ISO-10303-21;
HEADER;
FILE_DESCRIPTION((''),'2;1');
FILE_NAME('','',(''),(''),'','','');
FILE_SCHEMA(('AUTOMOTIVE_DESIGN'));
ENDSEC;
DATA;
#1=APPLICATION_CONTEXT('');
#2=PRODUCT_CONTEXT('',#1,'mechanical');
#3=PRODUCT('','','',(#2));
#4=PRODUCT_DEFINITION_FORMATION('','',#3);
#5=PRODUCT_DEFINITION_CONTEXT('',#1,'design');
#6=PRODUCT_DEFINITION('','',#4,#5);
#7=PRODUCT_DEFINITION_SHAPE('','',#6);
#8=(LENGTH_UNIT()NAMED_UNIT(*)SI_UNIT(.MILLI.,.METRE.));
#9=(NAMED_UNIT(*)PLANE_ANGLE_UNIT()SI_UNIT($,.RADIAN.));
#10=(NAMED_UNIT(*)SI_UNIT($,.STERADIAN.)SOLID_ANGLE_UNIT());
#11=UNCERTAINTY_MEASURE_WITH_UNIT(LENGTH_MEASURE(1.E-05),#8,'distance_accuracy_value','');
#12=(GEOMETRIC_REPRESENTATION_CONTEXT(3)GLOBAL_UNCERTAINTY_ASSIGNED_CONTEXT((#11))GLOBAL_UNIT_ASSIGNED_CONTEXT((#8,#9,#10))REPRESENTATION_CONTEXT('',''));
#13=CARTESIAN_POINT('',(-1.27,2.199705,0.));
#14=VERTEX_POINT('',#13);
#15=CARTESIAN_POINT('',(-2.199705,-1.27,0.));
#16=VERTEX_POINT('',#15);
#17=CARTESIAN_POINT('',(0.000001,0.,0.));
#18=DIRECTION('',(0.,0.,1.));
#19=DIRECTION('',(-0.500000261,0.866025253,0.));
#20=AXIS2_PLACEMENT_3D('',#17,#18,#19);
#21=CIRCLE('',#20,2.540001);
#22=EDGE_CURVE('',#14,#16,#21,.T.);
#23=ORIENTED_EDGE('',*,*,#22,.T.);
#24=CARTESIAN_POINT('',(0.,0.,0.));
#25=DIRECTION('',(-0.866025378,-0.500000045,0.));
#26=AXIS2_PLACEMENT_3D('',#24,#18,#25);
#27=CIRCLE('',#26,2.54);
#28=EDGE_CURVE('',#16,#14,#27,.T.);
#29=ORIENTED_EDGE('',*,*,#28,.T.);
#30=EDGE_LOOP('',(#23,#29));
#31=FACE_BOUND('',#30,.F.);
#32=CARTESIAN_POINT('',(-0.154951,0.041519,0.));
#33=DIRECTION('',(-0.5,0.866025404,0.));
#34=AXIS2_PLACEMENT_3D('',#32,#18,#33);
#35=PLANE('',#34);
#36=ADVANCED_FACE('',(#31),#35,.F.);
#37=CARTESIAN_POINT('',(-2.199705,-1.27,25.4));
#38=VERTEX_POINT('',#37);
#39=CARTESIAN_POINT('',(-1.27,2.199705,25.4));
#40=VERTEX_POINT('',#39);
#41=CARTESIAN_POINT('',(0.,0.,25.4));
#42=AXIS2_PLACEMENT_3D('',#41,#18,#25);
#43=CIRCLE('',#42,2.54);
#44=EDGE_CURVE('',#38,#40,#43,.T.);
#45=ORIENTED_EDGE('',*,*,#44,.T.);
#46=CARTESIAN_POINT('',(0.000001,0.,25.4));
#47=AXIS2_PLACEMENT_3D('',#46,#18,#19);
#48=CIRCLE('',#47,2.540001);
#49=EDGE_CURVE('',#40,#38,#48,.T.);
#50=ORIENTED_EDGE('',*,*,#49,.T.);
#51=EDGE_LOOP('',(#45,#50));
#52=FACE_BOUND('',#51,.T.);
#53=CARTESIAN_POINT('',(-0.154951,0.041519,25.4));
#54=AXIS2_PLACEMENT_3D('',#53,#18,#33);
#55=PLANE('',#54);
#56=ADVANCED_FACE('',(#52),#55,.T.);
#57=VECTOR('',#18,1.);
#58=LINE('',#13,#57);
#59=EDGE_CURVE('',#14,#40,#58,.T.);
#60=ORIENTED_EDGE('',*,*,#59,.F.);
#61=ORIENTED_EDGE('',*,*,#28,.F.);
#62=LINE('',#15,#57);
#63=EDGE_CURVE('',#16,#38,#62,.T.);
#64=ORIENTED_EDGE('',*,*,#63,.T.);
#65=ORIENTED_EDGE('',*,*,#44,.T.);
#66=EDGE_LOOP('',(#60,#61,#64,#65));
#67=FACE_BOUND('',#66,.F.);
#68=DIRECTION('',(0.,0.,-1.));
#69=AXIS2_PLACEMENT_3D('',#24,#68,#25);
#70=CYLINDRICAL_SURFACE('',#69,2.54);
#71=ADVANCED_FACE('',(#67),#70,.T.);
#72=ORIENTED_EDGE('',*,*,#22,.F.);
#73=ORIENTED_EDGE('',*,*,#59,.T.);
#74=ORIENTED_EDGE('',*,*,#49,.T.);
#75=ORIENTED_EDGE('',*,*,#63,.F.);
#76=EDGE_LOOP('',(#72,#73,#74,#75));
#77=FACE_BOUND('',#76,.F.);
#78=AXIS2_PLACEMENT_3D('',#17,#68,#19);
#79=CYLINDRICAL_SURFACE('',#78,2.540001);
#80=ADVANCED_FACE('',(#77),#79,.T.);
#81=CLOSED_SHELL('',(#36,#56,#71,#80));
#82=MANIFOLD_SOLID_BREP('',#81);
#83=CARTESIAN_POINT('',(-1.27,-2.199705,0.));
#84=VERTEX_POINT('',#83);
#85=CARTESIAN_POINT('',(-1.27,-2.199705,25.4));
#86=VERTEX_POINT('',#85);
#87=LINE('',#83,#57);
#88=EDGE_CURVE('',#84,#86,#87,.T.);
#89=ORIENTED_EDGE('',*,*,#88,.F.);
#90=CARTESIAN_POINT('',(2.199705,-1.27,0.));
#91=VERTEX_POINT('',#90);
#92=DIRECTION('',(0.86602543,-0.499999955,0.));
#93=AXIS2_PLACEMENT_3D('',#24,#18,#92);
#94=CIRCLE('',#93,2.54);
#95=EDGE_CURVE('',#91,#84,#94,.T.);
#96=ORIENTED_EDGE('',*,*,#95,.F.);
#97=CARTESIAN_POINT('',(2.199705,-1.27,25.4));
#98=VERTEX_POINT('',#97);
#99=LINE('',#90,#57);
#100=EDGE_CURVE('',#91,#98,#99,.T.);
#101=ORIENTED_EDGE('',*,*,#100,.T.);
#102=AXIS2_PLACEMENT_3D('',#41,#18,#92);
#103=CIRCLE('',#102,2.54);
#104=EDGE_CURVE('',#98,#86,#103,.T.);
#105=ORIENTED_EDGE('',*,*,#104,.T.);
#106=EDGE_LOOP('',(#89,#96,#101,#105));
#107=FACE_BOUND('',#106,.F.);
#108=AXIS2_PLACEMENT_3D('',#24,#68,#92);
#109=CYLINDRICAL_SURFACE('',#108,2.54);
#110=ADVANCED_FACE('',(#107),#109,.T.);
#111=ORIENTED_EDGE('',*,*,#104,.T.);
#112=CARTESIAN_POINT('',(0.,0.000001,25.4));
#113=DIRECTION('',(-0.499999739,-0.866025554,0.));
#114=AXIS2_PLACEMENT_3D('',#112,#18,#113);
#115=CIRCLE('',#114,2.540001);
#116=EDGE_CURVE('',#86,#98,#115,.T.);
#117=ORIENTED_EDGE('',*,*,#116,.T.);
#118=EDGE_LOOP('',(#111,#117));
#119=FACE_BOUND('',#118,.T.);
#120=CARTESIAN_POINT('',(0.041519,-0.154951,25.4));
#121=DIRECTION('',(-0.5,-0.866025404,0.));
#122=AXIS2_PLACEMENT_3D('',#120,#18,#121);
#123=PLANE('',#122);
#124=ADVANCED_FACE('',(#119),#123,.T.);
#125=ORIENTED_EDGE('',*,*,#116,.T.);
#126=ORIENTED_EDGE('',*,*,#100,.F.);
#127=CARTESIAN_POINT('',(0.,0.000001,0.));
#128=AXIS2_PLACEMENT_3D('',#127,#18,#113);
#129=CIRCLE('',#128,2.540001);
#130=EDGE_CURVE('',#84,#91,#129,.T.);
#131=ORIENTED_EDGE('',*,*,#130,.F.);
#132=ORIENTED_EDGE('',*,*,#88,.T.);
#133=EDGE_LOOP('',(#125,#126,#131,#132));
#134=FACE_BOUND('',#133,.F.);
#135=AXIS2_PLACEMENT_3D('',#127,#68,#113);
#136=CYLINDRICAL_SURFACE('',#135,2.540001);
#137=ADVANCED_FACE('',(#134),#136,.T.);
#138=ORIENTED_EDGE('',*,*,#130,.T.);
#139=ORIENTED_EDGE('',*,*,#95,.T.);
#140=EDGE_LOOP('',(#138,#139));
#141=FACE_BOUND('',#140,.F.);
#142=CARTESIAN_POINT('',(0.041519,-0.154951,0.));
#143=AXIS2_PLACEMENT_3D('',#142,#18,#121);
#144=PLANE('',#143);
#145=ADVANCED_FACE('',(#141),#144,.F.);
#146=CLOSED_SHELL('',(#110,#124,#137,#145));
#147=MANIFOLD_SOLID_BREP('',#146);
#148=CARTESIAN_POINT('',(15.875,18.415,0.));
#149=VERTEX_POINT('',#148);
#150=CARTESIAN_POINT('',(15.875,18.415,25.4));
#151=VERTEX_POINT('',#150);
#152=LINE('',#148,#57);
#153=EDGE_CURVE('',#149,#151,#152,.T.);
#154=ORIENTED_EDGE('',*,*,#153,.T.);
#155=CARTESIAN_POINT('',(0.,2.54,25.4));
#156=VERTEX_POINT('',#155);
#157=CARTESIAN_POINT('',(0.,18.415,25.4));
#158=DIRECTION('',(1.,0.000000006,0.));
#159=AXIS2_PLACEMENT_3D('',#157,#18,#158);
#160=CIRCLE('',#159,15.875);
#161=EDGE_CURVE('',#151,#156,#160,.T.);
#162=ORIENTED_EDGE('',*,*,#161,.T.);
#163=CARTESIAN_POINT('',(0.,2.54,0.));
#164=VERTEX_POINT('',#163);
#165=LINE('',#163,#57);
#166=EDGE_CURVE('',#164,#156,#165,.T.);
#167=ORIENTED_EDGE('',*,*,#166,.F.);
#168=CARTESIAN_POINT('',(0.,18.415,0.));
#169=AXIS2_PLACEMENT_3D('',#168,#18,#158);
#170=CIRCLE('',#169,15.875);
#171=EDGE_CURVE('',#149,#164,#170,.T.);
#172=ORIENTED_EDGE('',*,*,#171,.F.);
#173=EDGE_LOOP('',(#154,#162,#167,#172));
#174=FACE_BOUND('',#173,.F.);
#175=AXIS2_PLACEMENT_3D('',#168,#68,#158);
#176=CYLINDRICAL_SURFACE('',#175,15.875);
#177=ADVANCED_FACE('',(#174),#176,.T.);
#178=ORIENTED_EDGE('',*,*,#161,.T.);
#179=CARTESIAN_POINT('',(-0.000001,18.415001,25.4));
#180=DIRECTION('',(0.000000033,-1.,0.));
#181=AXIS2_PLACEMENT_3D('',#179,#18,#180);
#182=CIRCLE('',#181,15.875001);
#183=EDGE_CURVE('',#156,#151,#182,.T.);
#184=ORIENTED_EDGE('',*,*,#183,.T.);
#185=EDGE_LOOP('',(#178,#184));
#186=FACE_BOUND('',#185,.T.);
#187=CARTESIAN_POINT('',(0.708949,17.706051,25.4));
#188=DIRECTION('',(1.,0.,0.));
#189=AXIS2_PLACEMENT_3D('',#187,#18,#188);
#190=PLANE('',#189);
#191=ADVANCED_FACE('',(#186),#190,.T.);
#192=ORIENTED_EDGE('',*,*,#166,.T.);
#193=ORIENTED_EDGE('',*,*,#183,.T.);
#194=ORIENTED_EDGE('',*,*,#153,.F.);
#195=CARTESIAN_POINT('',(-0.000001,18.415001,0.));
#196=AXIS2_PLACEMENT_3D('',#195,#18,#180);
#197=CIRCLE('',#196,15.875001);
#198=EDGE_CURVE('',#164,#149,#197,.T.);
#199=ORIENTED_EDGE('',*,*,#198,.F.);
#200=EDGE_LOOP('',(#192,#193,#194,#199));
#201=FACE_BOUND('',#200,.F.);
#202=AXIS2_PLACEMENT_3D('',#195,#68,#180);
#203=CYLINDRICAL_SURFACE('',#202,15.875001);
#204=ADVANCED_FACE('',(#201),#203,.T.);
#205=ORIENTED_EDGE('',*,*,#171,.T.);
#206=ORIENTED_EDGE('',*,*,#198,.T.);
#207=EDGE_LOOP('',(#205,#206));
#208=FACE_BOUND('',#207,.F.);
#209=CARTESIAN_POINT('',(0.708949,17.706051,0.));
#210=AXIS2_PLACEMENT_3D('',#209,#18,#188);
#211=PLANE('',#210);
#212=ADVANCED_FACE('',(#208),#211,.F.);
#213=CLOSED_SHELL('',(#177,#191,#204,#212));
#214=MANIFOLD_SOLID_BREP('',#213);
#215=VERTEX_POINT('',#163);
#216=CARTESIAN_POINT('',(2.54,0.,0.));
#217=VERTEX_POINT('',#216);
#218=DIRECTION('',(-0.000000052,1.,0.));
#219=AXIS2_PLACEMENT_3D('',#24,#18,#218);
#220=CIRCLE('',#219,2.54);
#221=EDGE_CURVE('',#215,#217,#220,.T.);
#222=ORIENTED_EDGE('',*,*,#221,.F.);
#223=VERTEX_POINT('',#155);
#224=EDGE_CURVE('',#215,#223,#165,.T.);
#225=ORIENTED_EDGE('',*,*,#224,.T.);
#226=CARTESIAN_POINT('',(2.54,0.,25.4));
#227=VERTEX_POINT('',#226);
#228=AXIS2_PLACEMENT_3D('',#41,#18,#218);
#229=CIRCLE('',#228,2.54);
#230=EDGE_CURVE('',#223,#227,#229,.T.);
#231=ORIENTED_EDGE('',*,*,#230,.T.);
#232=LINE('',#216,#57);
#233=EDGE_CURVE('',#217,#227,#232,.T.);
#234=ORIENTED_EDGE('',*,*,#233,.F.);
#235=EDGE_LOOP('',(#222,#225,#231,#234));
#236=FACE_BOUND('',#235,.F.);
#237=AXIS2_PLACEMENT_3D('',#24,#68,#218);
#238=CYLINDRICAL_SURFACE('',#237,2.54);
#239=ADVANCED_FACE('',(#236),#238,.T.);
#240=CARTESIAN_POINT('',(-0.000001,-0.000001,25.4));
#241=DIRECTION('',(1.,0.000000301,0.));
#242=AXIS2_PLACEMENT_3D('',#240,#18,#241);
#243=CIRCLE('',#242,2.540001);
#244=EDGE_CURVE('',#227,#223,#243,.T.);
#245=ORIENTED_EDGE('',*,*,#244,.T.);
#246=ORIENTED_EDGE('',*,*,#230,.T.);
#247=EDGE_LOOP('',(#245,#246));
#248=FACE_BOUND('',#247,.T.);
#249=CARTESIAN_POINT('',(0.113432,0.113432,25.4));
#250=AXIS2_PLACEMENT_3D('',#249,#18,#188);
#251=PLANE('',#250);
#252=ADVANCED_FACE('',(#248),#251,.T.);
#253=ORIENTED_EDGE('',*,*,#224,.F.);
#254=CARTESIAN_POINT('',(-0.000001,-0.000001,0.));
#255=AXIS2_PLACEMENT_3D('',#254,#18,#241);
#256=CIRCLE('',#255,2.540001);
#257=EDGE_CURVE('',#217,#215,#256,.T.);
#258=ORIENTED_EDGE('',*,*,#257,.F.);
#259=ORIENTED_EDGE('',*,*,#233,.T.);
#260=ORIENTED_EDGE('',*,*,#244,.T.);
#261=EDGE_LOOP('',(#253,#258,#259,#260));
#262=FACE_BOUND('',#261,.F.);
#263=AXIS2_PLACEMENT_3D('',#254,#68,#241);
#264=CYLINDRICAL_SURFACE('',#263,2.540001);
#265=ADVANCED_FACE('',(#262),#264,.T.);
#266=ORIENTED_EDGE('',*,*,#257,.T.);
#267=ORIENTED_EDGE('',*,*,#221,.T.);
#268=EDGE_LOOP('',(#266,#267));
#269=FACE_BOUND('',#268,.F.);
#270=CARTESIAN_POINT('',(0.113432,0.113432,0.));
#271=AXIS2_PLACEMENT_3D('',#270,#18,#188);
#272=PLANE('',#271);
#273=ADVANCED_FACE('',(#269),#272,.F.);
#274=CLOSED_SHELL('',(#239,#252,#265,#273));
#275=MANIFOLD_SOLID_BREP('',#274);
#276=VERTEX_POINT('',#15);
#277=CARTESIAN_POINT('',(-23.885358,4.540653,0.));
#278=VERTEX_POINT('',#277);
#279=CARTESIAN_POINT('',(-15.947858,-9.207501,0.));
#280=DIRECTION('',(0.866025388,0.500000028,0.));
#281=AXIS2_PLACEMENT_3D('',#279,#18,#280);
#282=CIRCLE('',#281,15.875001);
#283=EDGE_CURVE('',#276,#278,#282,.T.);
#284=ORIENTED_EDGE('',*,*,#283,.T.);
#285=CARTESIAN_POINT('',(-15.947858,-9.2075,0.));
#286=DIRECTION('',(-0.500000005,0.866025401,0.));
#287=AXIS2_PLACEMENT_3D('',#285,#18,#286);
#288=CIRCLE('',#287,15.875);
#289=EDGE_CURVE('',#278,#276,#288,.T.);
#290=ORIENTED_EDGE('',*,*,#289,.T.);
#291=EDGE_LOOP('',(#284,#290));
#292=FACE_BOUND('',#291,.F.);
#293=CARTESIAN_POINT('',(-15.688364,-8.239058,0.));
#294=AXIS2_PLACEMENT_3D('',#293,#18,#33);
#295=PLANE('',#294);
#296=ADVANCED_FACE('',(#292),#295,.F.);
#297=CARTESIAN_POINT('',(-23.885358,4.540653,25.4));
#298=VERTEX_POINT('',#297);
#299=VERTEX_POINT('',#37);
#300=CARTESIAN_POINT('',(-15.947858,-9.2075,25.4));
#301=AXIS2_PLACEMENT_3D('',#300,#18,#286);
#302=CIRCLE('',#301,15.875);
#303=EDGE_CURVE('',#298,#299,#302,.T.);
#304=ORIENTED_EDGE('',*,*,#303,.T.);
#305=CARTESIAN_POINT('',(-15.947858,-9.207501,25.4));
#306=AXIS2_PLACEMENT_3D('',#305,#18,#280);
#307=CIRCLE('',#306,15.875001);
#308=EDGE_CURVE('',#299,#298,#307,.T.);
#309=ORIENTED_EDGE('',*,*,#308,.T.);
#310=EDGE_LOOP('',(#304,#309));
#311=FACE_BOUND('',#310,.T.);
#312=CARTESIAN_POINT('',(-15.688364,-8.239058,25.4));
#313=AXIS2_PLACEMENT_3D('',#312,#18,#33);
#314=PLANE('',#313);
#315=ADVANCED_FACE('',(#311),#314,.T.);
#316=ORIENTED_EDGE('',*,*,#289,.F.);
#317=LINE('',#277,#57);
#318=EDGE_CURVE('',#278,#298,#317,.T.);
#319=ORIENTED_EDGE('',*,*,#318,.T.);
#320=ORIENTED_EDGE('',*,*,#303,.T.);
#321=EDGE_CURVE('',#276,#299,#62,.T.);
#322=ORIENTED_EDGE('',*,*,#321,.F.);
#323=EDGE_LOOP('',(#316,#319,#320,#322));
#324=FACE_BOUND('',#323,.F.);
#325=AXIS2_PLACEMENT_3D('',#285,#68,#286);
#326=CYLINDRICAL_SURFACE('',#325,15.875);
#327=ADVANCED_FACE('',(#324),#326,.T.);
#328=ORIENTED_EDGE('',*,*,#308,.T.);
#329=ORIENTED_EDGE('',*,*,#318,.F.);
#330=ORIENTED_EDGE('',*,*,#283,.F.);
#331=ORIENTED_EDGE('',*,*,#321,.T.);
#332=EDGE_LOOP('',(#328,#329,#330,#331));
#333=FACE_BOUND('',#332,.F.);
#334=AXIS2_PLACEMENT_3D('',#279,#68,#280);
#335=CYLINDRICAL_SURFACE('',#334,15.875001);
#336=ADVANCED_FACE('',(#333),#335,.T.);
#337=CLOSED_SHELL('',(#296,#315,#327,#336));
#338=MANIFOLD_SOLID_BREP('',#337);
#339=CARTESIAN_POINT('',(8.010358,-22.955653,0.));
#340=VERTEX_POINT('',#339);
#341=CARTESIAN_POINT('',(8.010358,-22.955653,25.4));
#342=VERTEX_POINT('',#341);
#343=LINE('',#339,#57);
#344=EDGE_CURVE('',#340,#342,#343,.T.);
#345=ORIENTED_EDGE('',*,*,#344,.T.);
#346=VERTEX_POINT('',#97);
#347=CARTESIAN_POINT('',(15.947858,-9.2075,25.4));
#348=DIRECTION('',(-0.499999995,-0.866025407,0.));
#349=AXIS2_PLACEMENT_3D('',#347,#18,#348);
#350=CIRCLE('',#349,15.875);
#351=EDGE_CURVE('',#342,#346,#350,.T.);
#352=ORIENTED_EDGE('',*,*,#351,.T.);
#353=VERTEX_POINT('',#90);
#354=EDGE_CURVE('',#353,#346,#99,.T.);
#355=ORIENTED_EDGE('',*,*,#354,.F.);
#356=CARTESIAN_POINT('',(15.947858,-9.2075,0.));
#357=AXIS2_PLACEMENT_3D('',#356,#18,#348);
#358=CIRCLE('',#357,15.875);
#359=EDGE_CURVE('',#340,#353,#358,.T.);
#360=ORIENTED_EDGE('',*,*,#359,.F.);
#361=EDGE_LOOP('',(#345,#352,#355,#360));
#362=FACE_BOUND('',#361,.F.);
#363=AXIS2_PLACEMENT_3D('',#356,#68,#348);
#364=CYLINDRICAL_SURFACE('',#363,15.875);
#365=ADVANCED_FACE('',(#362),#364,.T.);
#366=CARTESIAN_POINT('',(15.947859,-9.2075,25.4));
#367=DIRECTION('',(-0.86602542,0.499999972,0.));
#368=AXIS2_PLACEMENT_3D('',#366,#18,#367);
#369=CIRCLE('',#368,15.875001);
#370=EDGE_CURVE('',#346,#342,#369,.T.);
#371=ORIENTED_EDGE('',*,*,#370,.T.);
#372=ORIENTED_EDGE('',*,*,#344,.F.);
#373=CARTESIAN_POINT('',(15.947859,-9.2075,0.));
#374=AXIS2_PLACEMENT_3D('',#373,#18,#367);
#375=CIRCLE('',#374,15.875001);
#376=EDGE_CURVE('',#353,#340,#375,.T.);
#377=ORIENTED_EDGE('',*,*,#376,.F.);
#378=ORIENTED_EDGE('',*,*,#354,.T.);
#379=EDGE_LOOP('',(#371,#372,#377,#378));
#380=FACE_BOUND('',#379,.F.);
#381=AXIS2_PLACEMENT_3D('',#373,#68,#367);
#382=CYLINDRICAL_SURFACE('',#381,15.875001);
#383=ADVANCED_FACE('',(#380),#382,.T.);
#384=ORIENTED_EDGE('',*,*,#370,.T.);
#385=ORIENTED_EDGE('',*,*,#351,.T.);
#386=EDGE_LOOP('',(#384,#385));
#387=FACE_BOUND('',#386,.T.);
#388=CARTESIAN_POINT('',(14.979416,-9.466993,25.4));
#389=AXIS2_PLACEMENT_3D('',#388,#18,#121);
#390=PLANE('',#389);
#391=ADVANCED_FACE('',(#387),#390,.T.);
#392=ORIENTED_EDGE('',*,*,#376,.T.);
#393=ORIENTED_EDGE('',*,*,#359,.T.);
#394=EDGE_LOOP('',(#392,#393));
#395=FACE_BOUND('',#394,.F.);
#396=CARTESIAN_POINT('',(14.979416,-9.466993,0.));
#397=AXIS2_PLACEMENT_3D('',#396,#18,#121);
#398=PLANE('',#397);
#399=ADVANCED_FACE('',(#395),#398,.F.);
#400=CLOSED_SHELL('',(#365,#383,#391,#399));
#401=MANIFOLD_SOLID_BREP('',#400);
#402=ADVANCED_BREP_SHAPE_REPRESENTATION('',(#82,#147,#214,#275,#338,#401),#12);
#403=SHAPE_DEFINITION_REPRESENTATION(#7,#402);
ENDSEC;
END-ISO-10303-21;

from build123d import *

# Parameters (mm, degrees)
F1_DEPTH = 25.4
F2_DEPTH = 25.4
F3_COUNT = 3


with BuildPart() as f1:
    # F0 (on Top) → F1 (new body)
    with BuildSketch(Plane.XY):
        with BuildLine():
            ThreePointArc((15.875, 18.415), (-11.22532, 29.64032), (0, 2.54))
            ThreePointArc((0, 2.54), (11.22532, 7.18968), (15.875, 18.415))
        make_face()
    extrude(amount=F1_DEPTH)

    # F0 (on Top) → F2 (join)
    with BuildSketch(Plane.XY):
        with BuildLine():
            ThreePointArc((0, 2.54), (-1.796051, -1.796051), (2.54, 0))
            ThreePointArc((2.54, 0), (1.796051, 1.796051), (0, 2.54))
        make_face()
        with BuildLine():
            ThreePointArc((15.875, 18.415), (-11.22532, 29.64032), (0, 2.54))
            ThreePointArc((0, 2.54), (11.22532, 7.18968), (15.875, 18.415))
        make_face()
    extrude(amount=F2_DEPTH)


with BuildPart() as f3_1:
    # F3: instance of F1
    add(f1.part.rotate(Axis((0, 0, 0), (0, 0, -1)), 1 * 360 / F3_COUNT))


with BuildPart() as f3_2:
    # F3: instance of F1
    add(f1.part.rotate(Axis((0, 0, 0), (0, 0, -1)), 2 * 360 / F3_COUNT))


solid = Compound([f1.part, f3_1.part, f3_2.part])
